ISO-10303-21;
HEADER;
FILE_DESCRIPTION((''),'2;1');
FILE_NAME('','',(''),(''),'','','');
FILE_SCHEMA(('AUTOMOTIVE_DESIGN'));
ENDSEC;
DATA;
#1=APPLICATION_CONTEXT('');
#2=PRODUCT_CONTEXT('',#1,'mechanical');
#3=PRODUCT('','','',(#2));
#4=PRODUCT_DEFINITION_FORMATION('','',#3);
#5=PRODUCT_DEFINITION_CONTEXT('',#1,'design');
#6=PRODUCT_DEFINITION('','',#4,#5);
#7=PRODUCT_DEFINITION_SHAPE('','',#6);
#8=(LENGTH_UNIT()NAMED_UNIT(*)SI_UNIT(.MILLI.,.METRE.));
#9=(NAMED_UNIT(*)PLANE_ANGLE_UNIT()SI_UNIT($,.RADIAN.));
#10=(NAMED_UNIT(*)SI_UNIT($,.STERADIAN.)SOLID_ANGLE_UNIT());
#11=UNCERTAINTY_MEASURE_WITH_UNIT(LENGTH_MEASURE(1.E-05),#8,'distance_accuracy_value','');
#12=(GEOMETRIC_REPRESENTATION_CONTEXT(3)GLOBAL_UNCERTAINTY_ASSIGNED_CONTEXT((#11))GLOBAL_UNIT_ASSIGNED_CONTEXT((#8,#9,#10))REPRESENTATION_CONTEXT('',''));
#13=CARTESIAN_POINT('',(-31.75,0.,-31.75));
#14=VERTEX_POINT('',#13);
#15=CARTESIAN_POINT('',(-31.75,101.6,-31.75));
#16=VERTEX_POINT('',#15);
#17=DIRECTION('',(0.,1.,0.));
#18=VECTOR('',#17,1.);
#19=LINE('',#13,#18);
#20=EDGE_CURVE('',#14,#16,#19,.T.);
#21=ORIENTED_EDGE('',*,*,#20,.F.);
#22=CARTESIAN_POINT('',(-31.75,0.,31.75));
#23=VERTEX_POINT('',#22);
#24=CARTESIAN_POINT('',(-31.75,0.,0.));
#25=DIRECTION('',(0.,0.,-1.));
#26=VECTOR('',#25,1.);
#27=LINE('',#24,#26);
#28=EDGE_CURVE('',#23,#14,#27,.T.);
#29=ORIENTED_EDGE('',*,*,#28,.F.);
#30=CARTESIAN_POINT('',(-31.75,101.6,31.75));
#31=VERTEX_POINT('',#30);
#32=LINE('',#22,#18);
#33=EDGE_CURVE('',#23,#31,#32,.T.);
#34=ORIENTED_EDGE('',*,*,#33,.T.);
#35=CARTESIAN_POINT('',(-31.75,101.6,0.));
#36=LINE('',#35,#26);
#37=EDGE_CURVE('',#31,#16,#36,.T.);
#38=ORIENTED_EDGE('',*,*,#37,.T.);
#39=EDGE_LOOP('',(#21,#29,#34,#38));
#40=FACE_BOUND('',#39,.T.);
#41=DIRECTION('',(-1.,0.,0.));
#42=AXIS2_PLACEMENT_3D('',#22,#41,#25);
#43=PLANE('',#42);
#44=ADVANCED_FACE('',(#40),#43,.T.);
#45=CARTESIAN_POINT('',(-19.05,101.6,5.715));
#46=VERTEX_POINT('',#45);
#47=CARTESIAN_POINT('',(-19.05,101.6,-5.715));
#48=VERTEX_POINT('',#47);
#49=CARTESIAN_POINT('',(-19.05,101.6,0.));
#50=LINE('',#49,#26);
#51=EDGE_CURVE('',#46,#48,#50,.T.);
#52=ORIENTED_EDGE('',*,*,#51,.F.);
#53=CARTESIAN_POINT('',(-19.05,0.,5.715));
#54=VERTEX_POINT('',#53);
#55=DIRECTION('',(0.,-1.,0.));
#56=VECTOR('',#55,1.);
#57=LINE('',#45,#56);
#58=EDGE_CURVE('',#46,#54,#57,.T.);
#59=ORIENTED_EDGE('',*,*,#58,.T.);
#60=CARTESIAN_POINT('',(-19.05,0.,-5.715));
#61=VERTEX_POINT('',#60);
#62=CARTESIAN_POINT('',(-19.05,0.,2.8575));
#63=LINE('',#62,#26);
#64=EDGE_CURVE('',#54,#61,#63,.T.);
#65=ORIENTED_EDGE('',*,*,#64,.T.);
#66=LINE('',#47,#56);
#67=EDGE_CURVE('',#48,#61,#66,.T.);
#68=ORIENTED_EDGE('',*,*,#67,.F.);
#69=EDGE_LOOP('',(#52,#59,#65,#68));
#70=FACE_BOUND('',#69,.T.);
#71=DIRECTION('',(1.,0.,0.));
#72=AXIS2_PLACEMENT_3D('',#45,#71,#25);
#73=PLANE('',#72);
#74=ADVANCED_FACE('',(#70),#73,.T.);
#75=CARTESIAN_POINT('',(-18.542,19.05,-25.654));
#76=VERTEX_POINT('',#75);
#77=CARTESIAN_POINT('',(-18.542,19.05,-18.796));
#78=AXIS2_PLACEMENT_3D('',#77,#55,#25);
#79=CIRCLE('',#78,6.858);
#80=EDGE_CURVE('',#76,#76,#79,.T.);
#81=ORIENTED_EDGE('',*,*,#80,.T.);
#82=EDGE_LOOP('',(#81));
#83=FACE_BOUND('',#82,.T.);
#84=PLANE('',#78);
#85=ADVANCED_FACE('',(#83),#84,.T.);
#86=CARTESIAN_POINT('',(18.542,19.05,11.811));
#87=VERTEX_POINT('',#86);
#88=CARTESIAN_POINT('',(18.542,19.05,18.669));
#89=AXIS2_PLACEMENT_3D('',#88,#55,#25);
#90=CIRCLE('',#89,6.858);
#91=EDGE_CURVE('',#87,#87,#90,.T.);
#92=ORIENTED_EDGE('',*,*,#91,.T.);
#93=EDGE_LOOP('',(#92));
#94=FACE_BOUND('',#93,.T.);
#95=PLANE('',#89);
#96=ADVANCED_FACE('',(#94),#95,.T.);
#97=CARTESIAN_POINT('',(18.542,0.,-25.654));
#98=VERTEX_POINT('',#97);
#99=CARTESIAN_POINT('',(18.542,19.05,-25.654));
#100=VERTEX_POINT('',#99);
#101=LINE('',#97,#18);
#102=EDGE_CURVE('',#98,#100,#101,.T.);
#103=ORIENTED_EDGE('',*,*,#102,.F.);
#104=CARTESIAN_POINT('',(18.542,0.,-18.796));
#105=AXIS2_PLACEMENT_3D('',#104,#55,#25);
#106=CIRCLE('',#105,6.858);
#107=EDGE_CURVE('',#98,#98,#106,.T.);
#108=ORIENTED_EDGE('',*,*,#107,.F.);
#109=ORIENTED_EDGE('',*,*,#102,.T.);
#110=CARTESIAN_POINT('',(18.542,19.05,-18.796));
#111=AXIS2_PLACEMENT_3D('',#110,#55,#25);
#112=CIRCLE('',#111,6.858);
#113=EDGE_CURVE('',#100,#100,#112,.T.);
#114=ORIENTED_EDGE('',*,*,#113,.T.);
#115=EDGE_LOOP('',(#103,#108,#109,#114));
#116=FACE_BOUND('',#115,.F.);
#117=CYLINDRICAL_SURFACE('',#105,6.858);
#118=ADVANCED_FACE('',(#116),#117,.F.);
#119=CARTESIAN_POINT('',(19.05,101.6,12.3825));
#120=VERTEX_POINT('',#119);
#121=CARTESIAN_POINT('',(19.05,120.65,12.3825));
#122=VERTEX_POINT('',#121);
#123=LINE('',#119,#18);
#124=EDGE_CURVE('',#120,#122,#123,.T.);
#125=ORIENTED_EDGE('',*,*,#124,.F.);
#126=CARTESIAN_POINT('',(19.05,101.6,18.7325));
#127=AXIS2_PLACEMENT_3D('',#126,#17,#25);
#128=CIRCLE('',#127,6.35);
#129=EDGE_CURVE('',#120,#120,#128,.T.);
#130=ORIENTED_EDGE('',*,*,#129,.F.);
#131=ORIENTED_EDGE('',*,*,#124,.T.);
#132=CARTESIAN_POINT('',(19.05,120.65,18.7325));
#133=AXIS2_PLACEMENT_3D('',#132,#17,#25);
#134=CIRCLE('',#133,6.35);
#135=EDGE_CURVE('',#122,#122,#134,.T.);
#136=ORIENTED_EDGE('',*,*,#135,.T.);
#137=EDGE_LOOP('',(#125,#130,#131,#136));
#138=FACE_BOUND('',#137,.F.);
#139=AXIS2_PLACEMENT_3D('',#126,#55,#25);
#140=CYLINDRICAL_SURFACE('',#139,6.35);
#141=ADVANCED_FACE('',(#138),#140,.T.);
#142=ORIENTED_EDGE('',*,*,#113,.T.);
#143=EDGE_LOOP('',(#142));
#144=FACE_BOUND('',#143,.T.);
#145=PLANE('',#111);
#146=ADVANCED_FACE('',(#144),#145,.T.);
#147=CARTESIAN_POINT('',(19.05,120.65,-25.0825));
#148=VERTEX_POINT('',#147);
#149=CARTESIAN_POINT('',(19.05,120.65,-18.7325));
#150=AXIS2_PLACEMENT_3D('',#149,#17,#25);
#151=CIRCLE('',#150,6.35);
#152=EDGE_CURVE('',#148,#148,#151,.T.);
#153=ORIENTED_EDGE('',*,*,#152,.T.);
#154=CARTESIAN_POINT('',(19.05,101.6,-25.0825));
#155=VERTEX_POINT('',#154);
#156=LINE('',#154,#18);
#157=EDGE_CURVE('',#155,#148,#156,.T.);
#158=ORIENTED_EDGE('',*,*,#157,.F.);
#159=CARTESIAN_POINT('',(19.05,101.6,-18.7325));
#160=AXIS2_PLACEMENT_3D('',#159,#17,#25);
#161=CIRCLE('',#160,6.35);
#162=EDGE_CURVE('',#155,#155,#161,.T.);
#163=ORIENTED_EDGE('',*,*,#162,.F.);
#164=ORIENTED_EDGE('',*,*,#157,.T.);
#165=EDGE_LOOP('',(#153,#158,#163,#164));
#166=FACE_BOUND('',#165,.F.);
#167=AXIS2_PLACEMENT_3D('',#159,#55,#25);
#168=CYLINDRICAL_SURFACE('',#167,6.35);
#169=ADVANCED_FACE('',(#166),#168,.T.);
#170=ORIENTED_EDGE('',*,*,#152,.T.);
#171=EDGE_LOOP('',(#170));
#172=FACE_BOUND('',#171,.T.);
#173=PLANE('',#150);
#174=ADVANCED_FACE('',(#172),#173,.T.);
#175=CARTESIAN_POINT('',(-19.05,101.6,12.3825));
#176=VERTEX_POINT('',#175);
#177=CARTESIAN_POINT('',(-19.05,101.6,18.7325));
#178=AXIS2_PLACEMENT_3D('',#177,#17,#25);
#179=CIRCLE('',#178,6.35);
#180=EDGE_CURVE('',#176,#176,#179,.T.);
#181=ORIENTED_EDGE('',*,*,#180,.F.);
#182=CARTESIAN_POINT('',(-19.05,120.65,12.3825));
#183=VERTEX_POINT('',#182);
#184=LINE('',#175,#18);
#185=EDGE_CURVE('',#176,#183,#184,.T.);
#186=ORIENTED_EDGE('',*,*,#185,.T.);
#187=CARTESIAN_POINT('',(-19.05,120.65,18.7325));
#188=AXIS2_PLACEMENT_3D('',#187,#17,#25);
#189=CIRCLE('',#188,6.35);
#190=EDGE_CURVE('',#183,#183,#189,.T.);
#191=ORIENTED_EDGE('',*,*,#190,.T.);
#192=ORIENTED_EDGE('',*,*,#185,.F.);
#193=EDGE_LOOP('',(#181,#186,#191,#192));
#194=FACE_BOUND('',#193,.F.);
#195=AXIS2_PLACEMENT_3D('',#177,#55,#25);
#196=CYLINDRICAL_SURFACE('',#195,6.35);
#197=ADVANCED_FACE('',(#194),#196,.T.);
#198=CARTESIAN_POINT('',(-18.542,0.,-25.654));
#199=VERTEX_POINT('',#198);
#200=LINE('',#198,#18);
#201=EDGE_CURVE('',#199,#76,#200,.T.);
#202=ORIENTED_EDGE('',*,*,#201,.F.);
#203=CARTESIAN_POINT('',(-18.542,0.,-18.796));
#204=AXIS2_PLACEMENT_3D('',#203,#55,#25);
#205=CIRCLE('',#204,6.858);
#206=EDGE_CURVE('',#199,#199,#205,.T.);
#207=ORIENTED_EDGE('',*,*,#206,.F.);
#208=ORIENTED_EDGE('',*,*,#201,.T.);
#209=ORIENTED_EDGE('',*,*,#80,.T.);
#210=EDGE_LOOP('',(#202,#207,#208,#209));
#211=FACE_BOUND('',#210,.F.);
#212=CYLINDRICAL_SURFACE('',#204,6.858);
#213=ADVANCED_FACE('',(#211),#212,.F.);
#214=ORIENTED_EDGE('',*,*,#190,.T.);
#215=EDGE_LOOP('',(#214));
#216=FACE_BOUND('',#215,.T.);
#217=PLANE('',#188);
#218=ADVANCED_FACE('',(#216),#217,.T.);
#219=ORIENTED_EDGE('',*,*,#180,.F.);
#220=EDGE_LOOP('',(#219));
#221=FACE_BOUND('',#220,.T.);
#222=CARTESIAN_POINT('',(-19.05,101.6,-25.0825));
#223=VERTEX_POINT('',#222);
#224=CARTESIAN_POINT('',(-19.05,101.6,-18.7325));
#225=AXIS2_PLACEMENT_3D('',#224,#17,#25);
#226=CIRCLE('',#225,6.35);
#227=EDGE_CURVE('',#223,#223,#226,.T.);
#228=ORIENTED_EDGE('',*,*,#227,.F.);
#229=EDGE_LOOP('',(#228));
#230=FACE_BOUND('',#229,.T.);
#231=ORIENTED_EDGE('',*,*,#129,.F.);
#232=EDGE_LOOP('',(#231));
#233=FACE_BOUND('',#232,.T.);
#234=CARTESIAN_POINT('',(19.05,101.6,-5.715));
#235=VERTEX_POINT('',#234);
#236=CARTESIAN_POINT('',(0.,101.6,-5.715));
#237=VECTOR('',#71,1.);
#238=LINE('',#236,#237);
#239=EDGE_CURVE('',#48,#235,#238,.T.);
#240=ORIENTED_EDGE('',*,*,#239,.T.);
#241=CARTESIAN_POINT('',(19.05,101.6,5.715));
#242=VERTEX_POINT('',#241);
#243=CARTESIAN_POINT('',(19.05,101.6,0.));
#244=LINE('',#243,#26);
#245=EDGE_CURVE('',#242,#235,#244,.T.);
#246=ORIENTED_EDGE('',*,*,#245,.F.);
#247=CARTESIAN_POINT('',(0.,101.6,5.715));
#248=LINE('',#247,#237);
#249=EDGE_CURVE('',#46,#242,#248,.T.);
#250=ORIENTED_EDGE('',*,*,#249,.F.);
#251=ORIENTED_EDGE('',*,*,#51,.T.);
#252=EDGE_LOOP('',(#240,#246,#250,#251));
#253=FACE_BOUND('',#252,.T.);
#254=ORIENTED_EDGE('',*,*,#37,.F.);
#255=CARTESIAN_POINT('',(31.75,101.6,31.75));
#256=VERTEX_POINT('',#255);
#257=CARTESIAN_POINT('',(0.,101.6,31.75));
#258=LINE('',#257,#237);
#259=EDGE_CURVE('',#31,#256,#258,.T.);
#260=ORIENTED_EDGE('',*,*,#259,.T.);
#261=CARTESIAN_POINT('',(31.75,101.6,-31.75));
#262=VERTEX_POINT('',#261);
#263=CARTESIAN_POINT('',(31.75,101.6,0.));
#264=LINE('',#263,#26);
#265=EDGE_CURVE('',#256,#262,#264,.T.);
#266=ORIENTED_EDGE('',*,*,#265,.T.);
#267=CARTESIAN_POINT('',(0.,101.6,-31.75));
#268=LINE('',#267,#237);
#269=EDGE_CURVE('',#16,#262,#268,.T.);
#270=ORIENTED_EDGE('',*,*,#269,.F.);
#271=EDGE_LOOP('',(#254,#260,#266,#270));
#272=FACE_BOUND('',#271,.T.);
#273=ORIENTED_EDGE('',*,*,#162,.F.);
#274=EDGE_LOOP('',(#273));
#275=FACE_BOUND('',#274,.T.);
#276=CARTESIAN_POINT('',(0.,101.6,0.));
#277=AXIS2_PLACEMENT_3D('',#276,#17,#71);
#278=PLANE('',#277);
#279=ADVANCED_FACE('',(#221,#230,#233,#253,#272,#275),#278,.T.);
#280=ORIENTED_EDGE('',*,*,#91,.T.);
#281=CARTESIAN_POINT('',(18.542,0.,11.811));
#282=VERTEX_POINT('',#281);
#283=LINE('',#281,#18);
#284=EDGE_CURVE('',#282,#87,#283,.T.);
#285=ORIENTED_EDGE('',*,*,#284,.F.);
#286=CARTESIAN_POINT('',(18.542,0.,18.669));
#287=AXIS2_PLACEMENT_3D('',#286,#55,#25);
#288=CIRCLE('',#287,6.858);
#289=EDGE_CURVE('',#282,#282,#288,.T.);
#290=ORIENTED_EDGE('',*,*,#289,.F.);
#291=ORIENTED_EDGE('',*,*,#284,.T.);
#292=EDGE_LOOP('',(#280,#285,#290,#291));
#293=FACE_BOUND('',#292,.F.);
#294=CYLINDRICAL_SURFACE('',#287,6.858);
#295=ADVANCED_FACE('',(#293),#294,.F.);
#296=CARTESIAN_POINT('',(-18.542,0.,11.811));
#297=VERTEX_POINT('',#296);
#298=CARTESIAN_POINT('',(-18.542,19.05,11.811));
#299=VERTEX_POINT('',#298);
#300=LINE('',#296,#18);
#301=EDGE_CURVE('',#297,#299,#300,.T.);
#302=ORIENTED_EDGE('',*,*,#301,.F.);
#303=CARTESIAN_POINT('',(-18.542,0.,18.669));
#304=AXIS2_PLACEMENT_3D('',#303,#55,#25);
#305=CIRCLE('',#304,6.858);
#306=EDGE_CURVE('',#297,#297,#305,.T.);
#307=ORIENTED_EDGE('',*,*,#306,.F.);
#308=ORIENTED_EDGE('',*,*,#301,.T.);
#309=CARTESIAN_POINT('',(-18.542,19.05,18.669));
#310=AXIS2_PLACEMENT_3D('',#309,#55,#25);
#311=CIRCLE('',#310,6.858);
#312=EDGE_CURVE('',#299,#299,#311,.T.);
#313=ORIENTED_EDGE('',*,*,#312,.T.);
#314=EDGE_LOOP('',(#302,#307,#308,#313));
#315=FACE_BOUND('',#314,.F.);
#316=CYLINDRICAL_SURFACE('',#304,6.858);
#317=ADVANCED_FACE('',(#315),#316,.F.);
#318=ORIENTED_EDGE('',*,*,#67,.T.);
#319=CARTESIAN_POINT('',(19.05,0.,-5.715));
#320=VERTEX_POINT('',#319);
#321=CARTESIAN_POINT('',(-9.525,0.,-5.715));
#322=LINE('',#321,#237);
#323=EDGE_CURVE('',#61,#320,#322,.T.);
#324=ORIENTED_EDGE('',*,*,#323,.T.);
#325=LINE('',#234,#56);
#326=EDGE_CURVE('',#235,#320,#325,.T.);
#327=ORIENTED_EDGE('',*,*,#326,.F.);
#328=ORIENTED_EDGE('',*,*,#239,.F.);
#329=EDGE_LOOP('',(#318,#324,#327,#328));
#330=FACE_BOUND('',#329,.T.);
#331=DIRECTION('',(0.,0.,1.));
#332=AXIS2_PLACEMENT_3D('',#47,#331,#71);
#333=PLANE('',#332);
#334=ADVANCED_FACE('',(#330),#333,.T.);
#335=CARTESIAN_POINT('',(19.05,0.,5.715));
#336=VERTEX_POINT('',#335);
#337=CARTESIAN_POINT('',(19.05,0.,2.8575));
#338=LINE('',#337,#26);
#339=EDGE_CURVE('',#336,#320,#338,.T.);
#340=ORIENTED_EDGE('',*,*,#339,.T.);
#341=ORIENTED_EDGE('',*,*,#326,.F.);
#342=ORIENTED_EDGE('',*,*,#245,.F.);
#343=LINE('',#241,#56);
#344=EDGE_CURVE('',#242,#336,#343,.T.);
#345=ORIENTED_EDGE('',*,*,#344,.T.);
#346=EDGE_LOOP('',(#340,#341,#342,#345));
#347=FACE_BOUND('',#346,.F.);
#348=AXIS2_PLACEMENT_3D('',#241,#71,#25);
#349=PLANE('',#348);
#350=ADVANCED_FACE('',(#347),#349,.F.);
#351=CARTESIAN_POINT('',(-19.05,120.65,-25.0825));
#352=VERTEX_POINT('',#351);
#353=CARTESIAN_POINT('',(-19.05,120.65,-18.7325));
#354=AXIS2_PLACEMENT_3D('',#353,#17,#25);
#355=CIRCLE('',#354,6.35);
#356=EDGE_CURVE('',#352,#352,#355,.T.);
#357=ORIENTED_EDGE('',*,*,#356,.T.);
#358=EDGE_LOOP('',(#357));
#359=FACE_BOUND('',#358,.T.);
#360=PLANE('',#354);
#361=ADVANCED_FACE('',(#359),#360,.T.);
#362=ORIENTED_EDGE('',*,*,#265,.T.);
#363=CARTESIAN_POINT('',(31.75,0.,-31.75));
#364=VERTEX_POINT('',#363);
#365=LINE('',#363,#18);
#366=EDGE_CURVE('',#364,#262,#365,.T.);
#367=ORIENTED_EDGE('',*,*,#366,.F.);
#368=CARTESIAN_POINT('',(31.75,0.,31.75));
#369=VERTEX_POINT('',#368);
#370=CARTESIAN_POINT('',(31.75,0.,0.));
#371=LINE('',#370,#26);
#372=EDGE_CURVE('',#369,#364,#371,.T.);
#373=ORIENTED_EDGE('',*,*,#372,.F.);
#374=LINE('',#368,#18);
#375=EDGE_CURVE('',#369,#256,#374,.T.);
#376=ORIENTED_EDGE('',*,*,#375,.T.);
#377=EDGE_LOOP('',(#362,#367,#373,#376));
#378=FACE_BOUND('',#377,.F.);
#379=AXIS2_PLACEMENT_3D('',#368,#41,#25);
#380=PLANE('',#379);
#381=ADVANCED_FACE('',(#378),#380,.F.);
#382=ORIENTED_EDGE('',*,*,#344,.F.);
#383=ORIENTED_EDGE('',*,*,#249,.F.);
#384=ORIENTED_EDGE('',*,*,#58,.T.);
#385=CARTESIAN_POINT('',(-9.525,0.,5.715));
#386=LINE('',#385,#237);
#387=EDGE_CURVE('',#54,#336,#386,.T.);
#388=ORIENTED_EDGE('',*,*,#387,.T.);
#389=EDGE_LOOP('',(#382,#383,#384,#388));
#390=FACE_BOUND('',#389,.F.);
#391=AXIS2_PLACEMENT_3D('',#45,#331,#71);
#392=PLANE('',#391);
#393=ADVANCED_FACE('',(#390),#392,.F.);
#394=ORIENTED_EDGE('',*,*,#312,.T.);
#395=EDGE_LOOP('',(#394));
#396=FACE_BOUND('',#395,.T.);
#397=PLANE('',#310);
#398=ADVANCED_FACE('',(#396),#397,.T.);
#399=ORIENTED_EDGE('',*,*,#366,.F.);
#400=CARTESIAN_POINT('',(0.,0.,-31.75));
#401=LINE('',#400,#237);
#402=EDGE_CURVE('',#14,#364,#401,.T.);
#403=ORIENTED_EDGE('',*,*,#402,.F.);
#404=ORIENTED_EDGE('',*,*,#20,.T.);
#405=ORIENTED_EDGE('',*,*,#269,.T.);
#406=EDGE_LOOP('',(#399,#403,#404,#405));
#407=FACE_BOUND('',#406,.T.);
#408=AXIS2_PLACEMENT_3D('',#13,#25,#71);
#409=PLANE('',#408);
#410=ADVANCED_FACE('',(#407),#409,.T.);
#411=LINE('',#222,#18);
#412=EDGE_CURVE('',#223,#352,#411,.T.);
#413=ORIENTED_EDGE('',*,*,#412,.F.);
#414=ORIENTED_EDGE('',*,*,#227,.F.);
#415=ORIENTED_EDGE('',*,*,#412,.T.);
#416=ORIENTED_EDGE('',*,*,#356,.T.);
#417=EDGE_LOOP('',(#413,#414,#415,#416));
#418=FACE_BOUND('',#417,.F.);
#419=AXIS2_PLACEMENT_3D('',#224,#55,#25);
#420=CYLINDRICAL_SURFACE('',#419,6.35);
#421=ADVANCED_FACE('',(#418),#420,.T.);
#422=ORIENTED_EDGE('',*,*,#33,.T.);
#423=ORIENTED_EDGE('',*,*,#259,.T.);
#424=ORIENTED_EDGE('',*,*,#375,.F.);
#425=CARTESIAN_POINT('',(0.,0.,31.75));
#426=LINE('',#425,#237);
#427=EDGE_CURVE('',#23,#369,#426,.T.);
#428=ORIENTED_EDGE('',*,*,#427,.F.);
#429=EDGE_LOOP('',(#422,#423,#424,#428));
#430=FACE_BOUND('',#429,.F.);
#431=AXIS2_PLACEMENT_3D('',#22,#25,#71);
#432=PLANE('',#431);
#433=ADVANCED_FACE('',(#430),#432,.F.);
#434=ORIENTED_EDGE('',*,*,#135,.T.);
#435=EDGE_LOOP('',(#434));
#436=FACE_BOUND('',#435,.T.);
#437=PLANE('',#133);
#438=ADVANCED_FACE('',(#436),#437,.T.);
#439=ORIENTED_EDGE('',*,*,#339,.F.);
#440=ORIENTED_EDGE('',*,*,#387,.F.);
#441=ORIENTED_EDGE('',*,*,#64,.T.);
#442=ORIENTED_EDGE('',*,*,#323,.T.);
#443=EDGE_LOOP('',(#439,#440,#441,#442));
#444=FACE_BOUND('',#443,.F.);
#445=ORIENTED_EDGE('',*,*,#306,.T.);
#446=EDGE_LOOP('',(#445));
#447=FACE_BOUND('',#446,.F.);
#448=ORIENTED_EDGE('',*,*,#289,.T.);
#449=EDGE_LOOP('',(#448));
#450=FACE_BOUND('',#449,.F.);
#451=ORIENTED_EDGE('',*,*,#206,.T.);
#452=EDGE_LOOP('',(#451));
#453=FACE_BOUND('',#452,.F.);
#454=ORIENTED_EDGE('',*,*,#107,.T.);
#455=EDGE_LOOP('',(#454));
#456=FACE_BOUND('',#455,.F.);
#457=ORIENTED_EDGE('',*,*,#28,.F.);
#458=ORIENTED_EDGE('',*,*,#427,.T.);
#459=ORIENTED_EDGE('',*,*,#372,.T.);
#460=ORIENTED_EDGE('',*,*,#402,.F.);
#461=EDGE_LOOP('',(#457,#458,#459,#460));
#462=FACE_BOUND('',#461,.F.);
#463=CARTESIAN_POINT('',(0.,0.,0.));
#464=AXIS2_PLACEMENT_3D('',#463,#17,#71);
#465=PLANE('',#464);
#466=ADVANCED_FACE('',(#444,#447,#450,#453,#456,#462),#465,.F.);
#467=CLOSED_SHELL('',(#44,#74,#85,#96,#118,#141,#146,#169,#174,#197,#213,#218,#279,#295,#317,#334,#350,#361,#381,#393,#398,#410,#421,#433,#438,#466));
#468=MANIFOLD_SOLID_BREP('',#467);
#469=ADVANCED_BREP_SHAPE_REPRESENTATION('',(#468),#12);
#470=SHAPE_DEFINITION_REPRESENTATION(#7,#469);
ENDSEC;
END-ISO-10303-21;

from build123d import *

# Parameters (mm, degrees)
SKETCH1_W           = 63.5
SKETCH1_H           = 63.5
BOSS_EXTRUDE1_DEPTH = 101.6
SKETCH3_W           = 38.1
SKETCH3_H           = 11.43
CUT_EXTRUDE1_DEPTH  = 112.079633597
SKETCH5_R           = 6.35
BOSS_EXTRUDE2_DEPTH = 19.05
SKETCH6_R           = 6.858
CUT_EXTRUDE3_DEPTH  = 19.05


with BuildPart() as part:
    # Sketch1 → Boss-Extrude1 (new body)
    with BuildSketch(Plane(origin=(0, 0, 0), x_dir=(1, 0, 0), z_dir=(0, 1, 0))):
        Rectangle(SKETCH1_W, SKETCH1_H)
    extrude(amount=BOSS_EXTRUDE1_DEPTH)

    # Sketch3 → Cut-Extrude1 (cut, through all)
    with BuildSketch(Plane(origin=(0, 101.6, 0), x_dir=(1, 0, 0), z_dir=(0, 1, 0))):
        Rectangle(SKETCH3_W, SKETCH3_H)
    extrude(amount=-CUT_EXTRUDE1_DEPTH, mode=Mode.SUBTRACT)

    # Sketch5 → Boss-Extrude2 (add)
    with BuildSketch(Plane(origin=(0, 101.6, 0), x_dir=(1, 0, 0), z_dir=(0, 1, 0))):
        with Locations(Location((19.05, -18.7325, 0), (0, 0, 90))):
            Circle(SKETCH5_R)
        with Locations(Location((-19.05, -18.7325, 0), (0, 0, 90))):
            Circle(SKETCH5_R)
        with Locations(Location((-19.05, 18.7325, 0), (0, 0, 90))):
            Circle(SKETCH5_R)
        with Locations(Location((19.05, 18.7325, 0), (0, 0, 90))):
            Circle(SKETCH5_R)
    extrude(amount=BOSS_EXTRUDE2_DEPTH)

    # Sketch6 → Cut-Extrude3 (cut)
    with BuildSketch(Plane.XZ):
        with Locations(Location((18.542, -18.796, 0), (0, 0, 270))):
            Circle(SKETCH6_R)
        with Locations(Location((-18.542, -18.796, 0), (0, 0, 270))):
            Circle(SKETCH6_R)
        with Locations(Location((-18.542, 18.669, 0), (0, 0, 270))):
            Circle(SKETCH6_R)
        with Locations(Location((18.542, 18.669, 0), (0, 0, 270))):
            Circle(SKETCH6_R)
    extrude(amount=-CUT_EXTRUDE3_DEPTH, mode=Mode.SUBTRACT)


solid = part.part
